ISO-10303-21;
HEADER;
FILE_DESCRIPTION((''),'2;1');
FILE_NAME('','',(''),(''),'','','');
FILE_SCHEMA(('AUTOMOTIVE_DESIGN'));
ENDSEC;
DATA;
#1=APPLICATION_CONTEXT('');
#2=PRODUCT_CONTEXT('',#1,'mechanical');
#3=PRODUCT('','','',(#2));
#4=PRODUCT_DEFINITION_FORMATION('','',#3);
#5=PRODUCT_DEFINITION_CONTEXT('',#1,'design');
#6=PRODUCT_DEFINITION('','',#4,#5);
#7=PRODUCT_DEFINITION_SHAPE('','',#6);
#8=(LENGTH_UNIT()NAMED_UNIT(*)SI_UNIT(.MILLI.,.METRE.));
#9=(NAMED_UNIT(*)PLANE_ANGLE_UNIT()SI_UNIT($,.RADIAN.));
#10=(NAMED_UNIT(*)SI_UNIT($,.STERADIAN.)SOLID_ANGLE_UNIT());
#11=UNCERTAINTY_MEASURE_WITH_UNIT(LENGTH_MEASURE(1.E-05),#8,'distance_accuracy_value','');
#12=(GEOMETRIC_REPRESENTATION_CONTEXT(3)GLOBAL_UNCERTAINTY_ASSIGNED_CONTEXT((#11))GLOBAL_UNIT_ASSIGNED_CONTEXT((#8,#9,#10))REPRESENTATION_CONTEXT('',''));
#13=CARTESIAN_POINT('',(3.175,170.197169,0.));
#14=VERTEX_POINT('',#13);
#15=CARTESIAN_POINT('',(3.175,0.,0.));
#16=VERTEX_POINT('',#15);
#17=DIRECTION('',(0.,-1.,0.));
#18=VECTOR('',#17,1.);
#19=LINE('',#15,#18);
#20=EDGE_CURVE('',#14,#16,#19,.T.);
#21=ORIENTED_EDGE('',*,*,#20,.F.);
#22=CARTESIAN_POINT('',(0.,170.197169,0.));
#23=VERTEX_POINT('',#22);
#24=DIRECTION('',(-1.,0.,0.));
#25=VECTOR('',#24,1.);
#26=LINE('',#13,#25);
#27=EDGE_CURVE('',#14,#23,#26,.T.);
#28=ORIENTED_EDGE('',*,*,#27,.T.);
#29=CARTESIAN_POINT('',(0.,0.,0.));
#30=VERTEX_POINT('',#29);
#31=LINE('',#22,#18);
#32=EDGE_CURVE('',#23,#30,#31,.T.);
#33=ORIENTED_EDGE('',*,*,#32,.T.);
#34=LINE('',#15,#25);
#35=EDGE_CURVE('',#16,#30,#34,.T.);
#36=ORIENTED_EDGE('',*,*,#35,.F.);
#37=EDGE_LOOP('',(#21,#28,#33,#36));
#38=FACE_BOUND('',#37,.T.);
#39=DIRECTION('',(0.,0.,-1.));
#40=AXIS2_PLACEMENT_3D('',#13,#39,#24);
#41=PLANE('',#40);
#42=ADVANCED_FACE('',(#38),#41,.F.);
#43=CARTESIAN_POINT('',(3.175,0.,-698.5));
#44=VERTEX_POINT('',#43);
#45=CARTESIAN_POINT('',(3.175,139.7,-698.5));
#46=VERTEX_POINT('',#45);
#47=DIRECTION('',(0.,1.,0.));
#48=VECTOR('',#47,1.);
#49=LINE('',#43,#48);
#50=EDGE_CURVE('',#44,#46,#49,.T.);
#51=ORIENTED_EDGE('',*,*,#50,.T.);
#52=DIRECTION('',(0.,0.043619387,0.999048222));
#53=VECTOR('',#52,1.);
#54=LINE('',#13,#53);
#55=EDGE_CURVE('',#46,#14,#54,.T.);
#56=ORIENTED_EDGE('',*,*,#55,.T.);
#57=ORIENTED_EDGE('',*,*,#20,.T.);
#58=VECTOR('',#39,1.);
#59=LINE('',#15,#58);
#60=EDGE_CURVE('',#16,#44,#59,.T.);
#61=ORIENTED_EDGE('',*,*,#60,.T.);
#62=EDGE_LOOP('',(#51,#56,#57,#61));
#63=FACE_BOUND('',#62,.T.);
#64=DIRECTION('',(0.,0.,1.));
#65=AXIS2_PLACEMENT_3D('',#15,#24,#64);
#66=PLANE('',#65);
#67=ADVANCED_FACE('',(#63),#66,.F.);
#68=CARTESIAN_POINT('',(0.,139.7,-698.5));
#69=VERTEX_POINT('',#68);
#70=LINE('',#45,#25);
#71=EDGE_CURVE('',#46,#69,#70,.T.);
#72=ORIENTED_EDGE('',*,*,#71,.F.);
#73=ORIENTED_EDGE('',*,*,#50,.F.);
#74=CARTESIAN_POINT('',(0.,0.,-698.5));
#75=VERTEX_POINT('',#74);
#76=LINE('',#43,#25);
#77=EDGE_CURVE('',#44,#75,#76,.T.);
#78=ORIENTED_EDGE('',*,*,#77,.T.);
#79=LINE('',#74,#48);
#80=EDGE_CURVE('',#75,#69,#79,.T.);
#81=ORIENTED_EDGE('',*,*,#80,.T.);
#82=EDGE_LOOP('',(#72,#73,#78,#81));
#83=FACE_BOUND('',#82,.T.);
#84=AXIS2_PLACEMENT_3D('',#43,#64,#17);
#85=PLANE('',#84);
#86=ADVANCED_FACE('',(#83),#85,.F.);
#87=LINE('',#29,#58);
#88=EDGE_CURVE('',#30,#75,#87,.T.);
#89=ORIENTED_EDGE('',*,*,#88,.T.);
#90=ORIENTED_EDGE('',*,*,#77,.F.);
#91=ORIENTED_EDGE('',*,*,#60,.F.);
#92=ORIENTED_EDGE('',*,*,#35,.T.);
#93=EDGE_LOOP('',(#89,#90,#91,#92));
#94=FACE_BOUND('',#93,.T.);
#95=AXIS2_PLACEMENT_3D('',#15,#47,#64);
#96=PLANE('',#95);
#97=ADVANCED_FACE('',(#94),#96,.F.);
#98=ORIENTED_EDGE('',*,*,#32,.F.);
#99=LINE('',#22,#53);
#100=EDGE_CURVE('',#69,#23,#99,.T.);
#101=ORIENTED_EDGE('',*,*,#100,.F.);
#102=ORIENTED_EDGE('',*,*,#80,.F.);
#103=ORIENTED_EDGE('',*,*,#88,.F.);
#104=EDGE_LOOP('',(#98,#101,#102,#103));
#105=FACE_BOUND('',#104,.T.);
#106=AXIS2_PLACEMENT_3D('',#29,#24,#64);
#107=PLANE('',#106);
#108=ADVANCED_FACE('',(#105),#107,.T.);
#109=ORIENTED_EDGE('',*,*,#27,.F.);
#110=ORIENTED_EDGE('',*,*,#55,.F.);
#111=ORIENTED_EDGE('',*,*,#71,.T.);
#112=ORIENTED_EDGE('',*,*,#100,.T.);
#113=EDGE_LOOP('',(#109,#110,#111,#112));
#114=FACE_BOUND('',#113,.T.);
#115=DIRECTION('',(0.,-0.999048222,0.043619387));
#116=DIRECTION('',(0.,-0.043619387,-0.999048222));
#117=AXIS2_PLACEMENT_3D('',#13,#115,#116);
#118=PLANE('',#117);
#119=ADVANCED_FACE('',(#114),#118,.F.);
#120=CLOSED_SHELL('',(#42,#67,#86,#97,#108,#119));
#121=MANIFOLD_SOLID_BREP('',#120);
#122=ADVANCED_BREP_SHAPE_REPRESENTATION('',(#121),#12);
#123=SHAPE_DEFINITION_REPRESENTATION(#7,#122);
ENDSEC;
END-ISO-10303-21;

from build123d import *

# Parameters (mm, degrees)
BOSS_EXTRUDE1_DEPTH = 3.175


with BuildPart() as part:
    # Sketch1 → Boss-Extrude1 (new body)
    with BuildSketch(Plane(origin=(0, 0, 0), x_dir=(0, 0, -1), z_dir=(1, 0, 0))):
        Polygon((0, 0), (698.5, 0), (698.5, 139.7), (0, 170.197168622), (0, 139.7), align=None)
    extrude(amount=BOSS_EXTRUDE1_DEPTH)


solid = part.part
